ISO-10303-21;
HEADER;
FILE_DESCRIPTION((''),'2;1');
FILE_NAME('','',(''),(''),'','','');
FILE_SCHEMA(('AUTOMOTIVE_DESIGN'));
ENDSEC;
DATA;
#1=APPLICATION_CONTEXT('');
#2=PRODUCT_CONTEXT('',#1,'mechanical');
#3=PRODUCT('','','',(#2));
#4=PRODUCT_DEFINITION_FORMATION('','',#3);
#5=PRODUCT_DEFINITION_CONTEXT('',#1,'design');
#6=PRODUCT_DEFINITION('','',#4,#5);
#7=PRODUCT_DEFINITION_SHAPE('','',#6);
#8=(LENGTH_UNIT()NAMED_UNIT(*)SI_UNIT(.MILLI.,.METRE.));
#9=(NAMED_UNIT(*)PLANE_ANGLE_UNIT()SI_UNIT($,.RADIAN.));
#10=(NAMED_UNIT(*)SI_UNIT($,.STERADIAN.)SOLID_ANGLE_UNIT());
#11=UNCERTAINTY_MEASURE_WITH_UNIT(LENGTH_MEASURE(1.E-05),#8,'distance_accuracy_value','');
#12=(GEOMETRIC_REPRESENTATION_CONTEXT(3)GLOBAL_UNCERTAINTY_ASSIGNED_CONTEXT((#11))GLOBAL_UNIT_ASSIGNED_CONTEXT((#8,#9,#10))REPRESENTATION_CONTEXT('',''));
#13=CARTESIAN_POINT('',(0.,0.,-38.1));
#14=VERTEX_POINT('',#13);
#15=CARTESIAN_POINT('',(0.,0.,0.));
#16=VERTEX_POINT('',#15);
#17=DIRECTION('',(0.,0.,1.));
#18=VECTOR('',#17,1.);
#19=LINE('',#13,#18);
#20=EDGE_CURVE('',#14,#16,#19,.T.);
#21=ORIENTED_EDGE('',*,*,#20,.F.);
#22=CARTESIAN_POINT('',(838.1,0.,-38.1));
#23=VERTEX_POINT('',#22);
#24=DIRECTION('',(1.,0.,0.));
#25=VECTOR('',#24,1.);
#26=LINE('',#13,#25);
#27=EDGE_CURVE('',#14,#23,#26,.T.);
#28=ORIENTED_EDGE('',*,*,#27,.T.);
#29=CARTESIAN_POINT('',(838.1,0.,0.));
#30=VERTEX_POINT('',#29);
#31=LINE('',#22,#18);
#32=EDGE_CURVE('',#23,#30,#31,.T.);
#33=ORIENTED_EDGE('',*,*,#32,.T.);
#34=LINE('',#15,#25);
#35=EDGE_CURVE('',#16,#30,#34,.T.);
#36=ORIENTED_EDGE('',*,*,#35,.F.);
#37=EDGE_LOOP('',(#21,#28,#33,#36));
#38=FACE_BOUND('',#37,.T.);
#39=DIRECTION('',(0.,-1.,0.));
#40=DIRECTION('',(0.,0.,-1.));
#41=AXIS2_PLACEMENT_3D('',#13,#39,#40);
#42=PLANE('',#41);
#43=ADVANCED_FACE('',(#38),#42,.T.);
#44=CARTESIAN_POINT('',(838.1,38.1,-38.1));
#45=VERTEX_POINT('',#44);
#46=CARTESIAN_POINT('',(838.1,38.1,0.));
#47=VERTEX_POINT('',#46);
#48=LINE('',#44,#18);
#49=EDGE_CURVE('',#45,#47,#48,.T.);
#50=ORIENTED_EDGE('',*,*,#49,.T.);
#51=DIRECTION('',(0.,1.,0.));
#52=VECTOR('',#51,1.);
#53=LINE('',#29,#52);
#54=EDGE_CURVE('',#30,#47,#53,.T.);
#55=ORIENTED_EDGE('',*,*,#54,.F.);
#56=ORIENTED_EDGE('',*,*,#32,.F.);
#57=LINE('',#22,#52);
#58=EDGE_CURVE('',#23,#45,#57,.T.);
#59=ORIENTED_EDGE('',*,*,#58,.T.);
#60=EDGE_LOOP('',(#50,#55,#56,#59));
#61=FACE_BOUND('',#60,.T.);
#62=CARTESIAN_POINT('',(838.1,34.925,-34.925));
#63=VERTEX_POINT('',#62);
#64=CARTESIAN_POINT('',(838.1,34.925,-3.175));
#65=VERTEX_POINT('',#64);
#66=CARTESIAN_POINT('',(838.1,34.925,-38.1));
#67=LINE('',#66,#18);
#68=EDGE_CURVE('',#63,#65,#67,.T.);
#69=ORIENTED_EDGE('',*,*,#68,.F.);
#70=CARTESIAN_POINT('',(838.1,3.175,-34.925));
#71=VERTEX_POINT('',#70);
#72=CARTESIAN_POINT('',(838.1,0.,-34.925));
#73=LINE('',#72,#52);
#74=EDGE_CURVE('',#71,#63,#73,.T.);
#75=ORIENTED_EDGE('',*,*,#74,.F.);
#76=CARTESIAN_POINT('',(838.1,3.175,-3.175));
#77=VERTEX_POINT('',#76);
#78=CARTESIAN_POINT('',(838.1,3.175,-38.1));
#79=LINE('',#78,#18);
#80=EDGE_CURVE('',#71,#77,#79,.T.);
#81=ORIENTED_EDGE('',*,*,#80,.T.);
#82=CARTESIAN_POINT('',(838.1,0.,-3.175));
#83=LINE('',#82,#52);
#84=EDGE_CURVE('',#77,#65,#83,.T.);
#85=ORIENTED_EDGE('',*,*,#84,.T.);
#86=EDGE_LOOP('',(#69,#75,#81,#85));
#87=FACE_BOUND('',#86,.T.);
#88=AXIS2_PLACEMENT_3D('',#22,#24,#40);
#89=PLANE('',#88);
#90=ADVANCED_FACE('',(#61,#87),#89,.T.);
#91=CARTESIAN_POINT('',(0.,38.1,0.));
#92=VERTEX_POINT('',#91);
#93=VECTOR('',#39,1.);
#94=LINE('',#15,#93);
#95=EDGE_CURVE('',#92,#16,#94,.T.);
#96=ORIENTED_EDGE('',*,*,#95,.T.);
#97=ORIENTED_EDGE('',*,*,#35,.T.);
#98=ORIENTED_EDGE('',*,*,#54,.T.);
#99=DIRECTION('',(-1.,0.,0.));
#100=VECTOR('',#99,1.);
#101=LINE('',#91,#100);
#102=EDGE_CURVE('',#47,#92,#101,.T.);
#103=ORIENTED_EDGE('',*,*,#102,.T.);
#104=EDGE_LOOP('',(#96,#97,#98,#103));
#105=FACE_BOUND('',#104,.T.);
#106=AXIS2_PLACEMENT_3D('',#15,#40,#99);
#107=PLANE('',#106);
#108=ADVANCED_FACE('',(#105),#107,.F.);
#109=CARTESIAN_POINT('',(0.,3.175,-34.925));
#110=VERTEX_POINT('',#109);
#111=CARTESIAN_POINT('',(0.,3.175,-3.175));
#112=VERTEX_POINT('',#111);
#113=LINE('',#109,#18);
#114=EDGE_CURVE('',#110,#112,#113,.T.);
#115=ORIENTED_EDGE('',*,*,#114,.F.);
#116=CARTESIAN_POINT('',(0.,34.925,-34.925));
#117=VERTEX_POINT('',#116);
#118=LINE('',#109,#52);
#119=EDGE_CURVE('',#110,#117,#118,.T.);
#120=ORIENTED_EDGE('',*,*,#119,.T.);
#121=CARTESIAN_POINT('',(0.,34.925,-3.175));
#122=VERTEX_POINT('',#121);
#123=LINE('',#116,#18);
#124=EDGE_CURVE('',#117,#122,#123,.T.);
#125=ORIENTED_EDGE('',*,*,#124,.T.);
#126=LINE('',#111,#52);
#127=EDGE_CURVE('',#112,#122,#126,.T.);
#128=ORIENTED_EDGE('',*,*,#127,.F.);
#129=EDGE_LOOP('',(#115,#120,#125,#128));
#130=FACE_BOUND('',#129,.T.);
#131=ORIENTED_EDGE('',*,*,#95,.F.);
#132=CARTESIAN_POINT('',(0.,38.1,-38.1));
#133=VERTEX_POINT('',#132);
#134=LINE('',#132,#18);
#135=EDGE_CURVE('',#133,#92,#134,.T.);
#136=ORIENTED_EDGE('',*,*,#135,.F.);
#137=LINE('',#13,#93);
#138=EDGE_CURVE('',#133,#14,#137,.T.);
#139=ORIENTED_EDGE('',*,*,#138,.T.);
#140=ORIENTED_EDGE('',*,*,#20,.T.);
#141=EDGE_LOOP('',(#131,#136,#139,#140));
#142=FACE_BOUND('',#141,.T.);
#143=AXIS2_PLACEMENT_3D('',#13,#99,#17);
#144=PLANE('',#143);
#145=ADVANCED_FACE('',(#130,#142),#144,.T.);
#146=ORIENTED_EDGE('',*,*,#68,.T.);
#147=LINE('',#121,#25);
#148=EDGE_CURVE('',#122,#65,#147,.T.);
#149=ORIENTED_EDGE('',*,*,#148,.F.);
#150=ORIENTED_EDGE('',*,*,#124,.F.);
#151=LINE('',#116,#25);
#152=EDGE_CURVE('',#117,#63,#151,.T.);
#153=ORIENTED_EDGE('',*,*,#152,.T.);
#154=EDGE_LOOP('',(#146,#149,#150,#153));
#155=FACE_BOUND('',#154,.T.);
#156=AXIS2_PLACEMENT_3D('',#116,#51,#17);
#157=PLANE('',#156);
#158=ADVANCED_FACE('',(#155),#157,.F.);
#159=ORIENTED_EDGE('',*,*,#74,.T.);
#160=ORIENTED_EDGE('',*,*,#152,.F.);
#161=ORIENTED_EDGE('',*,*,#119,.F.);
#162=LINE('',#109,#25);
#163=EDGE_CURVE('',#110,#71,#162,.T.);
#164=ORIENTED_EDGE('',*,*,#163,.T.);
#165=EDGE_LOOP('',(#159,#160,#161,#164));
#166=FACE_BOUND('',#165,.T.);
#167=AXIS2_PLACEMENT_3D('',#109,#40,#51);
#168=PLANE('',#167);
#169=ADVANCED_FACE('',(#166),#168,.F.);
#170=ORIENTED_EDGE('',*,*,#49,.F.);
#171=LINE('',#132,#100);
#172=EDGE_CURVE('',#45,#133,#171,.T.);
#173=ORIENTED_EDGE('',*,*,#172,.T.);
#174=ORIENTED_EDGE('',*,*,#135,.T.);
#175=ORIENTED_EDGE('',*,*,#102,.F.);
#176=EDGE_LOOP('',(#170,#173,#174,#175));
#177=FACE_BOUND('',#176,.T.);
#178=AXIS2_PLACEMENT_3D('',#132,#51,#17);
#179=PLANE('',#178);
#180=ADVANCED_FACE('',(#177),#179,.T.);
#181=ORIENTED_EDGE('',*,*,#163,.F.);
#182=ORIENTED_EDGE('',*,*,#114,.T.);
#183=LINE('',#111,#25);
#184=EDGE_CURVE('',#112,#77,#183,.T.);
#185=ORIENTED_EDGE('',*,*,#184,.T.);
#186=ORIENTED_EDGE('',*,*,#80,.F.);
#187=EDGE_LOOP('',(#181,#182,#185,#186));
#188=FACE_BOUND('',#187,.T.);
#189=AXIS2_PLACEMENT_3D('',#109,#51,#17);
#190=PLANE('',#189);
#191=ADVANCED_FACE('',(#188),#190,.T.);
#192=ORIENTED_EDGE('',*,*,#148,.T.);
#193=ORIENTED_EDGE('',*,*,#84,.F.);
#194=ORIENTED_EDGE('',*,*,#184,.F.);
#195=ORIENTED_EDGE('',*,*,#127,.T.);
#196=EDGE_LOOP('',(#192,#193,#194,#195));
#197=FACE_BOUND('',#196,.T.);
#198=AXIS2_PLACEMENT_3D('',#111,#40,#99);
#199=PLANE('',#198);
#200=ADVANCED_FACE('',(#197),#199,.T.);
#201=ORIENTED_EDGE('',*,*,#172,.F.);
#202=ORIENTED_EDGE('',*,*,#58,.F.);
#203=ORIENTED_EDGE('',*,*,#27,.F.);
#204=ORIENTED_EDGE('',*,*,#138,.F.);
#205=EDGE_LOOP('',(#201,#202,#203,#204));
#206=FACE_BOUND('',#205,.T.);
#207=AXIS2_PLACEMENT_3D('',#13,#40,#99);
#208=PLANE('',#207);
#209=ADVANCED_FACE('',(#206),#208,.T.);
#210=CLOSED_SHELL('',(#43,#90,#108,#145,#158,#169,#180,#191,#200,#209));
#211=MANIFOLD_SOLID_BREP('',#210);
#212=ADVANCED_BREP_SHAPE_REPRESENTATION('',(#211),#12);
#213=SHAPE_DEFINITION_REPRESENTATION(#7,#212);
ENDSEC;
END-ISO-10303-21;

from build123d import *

# Parameters (mm, degrees)
SKETCH1_W               = 838.1
SKETCH1_H               = 38.1
BOSS_EXTRUDE1_DEPTH     = 38.1
SKETCH2_W               = 31.75
SKETCH2_H               = 31.75
CUT_EXTRUDE1_DEPTH      = 1
CUT_EXTRUDE1_DEPTH_BACK = 839.1


with BuildPart() as part:
    # Sketch1 → Boss-Extrude1 (new body)
    with BuildSketch(Plane.XY):
        with Locations((419.05, 19.05)):
            Rectangle(SKETCH1_W, SKETCH1_H)
    extrude(amount=-BOSS_EXTRUDE1_DEPTH)

    # Sketch2 → Cut-Extrude1 (cut, two sides)
    with BuildSketch(Plane(origin=(838.1, 0, 0), x_dir=(0, 0, -1), z_dir=(1, 0, 0))) as cut_extrude1_sk:
        with Locations((19.05, 19.05)):
            Rectangle(SKETCH2_W, SKETCH2_H)
    extrude(amount=CUT_EXTRUDE1_DEPTH, mode=Mode.SUBTRACT)
    extrude(cut_extrude1_sk.sketch, amount=-CUT_EXTRUDE1_DEPTH_BACK, mode=Mode.SUBTRACT)


solid = part.part
